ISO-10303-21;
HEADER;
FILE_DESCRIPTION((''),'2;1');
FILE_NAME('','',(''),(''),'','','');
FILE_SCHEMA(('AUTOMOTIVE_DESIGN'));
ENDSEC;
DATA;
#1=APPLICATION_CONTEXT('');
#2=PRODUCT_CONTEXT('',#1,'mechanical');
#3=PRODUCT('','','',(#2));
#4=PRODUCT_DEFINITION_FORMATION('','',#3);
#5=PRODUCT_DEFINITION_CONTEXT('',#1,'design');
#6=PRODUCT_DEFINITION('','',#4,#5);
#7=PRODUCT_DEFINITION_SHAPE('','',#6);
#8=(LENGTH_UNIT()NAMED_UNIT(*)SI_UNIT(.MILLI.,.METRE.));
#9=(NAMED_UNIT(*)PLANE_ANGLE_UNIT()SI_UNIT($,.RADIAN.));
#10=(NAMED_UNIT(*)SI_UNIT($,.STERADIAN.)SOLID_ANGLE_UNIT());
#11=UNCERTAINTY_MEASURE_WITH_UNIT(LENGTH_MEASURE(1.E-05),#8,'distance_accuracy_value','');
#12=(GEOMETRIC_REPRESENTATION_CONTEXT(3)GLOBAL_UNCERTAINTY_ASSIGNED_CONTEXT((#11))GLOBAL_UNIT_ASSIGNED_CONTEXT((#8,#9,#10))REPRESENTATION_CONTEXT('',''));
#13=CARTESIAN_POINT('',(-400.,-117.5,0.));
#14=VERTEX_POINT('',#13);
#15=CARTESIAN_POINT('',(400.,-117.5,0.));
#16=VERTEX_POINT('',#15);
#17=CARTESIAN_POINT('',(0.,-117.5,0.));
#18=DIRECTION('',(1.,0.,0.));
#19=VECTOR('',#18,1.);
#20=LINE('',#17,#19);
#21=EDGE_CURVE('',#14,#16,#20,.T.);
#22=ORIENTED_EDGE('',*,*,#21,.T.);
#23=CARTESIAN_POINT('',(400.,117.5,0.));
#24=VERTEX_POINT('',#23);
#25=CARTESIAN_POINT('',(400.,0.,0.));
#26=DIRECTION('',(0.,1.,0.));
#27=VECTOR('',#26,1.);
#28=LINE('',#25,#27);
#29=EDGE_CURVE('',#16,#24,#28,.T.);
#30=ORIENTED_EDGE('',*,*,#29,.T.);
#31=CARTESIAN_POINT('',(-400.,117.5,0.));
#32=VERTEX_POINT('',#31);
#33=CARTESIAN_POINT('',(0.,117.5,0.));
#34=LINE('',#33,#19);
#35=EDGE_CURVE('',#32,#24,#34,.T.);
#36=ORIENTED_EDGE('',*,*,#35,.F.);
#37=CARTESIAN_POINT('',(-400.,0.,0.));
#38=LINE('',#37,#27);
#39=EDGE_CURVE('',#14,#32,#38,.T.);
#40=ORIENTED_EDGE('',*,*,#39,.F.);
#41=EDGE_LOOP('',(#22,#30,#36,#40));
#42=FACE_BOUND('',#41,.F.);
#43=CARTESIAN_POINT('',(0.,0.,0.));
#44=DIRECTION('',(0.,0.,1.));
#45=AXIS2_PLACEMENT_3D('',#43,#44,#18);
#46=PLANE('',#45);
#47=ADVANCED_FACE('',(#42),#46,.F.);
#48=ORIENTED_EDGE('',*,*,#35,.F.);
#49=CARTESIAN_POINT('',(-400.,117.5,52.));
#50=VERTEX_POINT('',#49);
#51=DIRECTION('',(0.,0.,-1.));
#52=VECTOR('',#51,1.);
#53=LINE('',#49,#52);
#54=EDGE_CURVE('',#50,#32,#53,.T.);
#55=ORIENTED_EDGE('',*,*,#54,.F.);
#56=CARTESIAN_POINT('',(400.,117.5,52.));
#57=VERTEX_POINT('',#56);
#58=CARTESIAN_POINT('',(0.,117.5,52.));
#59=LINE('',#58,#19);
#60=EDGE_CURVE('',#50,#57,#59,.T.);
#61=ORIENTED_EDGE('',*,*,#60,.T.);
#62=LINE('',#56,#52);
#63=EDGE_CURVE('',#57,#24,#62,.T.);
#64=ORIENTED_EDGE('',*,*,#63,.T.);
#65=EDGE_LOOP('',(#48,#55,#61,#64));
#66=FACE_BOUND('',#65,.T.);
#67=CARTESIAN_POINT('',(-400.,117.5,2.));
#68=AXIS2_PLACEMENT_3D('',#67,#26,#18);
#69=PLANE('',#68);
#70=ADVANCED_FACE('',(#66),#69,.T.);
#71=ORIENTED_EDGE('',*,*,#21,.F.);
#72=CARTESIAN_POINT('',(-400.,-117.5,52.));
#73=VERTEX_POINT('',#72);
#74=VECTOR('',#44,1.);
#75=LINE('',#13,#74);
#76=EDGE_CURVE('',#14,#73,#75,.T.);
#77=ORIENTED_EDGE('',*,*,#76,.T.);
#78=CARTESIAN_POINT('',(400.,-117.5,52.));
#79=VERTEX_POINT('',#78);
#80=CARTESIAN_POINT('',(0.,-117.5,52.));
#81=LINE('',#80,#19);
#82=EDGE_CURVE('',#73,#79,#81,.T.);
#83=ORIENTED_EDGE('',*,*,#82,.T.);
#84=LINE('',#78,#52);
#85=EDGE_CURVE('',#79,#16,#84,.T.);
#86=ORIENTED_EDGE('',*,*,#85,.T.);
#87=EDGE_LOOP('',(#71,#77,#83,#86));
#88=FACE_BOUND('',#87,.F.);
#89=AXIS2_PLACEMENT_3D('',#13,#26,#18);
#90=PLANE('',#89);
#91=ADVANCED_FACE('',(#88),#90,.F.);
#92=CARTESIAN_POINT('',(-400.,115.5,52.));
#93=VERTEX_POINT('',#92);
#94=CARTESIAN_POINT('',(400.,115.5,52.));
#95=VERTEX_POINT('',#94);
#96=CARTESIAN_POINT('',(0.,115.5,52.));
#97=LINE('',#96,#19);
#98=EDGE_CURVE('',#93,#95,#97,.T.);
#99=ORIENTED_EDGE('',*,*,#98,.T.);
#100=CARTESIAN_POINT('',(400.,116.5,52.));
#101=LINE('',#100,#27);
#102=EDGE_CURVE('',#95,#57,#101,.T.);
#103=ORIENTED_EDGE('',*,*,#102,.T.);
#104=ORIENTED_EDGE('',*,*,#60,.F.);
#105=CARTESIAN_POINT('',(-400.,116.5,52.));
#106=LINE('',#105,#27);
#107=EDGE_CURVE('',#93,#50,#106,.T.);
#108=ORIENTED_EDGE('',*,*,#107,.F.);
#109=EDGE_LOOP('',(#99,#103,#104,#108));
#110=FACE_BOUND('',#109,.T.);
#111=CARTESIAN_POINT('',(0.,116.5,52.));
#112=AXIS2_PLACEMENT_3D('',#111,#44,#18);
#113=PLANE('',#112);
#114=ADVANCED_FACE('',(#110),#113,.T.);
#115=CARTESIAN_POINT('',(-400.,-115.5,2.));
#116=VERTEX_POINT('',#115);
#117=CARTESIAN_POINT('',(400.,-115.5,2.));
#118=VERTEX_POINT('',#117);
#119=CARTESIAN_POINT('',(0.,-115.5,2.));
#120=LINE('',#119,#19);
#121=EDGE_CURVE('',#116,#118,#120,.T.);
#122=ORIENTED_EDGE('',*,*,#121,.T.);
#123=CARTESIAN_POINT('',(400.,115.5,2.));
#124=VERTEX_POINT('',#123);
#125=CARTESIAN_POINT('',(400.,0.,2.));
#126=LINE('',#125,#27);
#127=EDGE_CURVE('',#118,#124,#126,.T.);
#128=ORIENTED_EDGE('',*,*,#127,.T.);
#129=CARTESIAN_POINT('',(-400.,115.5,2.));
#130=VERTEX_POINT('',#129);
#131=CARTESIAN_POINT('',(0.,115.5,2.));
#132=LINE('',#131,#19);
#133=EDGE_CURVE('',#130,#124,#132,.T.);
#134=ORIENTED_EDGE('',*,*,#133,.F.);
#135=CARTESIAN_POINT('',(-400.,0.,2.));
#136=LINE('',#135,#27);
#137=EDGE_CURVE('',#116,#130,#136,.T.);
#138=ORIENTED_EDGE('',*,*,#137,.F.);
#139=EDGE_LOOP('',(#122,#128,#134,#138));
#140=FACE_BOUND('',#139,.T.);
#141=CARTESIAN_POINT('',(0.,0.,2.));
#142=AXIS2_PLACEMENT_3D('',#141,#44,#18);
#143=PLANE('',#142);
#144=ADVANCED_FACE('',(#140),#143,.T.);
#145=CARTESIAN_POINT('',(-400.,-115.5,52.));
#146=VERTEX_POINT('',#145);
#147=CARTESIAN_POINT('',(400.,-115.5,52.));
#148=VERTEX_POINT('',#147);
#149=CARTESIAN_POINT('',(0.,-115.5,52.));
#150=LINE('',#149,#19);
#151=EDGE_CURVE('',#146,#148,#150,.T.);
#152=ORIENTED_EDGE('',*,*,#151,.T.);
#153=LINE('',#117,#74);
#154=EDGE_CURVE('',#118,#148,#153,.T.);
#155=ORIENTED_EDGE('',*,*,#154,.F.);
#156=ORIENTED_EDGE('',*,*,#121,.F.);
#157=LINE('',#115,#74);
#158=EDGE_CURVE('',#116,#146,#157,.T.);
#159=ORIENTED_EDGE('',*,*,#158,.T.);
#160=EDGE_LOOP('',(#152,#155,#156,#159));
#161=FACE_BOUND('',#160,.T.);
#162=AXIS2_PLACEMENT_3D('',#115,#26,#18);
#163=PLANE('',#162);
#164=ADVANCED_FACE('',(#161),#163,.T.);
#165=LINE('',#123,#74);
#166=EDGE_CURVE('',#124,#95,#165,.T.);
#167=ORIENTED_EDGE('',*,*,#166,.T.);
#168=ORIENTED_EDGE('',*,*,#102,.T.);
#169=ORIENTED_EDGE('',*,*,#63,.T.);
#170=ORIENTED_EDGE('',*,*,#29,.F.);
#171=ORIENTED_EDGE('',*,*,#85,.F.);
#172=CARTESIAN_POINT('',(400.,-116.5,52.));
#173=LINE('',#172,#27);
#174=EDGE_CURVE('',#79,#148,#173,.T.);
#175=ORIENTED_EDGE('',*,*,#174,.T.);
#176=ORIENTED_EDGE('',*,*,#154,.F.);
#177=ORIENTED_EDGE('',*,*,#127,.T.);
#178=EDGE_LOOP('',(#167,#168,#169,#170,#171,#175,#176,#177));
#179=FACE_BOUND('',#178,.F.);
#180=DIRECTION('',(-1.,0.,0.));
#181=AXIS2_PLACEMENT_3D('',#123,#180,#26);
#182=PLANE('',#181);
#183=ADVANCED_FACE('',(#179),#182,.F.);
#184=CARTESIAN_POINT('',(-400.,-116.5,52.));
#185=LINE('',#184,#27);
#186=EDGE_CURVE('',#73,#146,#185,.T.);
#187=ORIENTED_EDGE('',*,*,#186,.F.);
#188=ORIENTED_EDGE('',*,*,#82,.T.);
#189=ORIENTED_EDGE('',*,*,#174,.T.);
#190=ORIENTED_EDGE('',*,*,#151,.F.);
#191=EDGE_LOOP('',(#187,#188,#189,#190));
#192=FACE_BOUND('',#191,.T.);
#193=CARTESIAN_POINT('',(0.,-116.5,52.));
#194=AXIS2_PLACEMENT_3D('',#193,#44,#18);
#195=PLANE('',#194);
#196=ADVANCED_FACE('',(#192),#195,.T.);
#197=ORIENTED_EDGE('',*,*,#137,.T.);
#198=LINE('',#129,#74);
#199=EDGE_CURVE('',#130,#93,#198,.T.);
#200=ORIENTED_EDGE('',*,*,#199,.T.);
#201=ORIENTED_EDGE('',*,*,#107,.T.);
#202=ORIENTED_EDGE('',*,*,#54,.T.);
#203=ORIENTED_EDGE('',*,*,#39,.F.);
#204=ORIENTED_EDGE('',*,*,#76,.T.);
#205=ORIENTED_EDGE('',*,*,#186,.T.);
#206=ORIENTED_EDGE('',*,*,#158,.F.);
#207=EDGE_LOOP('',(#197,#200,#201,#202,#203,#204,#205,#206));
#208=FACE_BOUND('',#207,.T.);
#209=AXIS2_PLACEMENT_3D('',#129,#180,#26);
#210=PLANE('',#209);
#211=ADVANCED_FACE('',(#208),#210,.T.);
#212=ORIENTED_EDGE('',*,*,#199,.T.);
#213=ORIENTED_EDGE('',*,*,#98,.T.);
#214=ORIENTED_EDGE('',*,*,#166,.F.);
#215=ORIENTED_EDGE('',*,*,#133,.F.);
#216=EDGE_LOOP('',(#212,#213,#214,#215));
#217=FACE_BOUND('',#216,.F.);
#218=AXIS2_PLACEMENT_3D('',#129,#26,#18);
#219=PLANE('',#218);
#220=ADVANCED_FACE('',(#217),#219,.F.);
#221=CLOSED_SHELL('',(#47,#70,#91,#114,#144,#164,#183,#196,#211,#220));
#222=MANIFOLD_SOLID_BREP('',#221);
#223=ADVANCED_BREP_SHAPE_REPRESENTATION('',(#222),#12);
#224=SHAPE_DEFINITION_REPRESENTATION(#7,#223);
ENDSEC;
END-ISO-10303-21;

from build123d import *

# Parameters (mm, degrees)
SKETCH_W     = 800
SKETCH_H     = 235
PAD_DEPTH    = 2
SKETCH001_W  = 800
SKETCH001_H  = 2
PAD001_DEPTH = 50


with BuildPart() as part:
    # Sketch → Pad (new body)
    with BuildSketch(Plane.XY):
        Rectangle(SKETCH_W, SKETCH_H)
    extrude(amount=PAD_DEPTH)

    # Sketch001 (on Face6 of Pad) → Pad001 (join)
    with BuildSketch(Plane.XY.offset(2)):
        with Locations((0, 116.5)):
            Rectangle(SKETCH001_W, SKETCH001_H)
        with Locations((0, -116.5)):
            Rectangle(SKETCH001_W, SKETCH001_H)
    extrude(amount=PAD001_DEPTH)


solid = part.part
